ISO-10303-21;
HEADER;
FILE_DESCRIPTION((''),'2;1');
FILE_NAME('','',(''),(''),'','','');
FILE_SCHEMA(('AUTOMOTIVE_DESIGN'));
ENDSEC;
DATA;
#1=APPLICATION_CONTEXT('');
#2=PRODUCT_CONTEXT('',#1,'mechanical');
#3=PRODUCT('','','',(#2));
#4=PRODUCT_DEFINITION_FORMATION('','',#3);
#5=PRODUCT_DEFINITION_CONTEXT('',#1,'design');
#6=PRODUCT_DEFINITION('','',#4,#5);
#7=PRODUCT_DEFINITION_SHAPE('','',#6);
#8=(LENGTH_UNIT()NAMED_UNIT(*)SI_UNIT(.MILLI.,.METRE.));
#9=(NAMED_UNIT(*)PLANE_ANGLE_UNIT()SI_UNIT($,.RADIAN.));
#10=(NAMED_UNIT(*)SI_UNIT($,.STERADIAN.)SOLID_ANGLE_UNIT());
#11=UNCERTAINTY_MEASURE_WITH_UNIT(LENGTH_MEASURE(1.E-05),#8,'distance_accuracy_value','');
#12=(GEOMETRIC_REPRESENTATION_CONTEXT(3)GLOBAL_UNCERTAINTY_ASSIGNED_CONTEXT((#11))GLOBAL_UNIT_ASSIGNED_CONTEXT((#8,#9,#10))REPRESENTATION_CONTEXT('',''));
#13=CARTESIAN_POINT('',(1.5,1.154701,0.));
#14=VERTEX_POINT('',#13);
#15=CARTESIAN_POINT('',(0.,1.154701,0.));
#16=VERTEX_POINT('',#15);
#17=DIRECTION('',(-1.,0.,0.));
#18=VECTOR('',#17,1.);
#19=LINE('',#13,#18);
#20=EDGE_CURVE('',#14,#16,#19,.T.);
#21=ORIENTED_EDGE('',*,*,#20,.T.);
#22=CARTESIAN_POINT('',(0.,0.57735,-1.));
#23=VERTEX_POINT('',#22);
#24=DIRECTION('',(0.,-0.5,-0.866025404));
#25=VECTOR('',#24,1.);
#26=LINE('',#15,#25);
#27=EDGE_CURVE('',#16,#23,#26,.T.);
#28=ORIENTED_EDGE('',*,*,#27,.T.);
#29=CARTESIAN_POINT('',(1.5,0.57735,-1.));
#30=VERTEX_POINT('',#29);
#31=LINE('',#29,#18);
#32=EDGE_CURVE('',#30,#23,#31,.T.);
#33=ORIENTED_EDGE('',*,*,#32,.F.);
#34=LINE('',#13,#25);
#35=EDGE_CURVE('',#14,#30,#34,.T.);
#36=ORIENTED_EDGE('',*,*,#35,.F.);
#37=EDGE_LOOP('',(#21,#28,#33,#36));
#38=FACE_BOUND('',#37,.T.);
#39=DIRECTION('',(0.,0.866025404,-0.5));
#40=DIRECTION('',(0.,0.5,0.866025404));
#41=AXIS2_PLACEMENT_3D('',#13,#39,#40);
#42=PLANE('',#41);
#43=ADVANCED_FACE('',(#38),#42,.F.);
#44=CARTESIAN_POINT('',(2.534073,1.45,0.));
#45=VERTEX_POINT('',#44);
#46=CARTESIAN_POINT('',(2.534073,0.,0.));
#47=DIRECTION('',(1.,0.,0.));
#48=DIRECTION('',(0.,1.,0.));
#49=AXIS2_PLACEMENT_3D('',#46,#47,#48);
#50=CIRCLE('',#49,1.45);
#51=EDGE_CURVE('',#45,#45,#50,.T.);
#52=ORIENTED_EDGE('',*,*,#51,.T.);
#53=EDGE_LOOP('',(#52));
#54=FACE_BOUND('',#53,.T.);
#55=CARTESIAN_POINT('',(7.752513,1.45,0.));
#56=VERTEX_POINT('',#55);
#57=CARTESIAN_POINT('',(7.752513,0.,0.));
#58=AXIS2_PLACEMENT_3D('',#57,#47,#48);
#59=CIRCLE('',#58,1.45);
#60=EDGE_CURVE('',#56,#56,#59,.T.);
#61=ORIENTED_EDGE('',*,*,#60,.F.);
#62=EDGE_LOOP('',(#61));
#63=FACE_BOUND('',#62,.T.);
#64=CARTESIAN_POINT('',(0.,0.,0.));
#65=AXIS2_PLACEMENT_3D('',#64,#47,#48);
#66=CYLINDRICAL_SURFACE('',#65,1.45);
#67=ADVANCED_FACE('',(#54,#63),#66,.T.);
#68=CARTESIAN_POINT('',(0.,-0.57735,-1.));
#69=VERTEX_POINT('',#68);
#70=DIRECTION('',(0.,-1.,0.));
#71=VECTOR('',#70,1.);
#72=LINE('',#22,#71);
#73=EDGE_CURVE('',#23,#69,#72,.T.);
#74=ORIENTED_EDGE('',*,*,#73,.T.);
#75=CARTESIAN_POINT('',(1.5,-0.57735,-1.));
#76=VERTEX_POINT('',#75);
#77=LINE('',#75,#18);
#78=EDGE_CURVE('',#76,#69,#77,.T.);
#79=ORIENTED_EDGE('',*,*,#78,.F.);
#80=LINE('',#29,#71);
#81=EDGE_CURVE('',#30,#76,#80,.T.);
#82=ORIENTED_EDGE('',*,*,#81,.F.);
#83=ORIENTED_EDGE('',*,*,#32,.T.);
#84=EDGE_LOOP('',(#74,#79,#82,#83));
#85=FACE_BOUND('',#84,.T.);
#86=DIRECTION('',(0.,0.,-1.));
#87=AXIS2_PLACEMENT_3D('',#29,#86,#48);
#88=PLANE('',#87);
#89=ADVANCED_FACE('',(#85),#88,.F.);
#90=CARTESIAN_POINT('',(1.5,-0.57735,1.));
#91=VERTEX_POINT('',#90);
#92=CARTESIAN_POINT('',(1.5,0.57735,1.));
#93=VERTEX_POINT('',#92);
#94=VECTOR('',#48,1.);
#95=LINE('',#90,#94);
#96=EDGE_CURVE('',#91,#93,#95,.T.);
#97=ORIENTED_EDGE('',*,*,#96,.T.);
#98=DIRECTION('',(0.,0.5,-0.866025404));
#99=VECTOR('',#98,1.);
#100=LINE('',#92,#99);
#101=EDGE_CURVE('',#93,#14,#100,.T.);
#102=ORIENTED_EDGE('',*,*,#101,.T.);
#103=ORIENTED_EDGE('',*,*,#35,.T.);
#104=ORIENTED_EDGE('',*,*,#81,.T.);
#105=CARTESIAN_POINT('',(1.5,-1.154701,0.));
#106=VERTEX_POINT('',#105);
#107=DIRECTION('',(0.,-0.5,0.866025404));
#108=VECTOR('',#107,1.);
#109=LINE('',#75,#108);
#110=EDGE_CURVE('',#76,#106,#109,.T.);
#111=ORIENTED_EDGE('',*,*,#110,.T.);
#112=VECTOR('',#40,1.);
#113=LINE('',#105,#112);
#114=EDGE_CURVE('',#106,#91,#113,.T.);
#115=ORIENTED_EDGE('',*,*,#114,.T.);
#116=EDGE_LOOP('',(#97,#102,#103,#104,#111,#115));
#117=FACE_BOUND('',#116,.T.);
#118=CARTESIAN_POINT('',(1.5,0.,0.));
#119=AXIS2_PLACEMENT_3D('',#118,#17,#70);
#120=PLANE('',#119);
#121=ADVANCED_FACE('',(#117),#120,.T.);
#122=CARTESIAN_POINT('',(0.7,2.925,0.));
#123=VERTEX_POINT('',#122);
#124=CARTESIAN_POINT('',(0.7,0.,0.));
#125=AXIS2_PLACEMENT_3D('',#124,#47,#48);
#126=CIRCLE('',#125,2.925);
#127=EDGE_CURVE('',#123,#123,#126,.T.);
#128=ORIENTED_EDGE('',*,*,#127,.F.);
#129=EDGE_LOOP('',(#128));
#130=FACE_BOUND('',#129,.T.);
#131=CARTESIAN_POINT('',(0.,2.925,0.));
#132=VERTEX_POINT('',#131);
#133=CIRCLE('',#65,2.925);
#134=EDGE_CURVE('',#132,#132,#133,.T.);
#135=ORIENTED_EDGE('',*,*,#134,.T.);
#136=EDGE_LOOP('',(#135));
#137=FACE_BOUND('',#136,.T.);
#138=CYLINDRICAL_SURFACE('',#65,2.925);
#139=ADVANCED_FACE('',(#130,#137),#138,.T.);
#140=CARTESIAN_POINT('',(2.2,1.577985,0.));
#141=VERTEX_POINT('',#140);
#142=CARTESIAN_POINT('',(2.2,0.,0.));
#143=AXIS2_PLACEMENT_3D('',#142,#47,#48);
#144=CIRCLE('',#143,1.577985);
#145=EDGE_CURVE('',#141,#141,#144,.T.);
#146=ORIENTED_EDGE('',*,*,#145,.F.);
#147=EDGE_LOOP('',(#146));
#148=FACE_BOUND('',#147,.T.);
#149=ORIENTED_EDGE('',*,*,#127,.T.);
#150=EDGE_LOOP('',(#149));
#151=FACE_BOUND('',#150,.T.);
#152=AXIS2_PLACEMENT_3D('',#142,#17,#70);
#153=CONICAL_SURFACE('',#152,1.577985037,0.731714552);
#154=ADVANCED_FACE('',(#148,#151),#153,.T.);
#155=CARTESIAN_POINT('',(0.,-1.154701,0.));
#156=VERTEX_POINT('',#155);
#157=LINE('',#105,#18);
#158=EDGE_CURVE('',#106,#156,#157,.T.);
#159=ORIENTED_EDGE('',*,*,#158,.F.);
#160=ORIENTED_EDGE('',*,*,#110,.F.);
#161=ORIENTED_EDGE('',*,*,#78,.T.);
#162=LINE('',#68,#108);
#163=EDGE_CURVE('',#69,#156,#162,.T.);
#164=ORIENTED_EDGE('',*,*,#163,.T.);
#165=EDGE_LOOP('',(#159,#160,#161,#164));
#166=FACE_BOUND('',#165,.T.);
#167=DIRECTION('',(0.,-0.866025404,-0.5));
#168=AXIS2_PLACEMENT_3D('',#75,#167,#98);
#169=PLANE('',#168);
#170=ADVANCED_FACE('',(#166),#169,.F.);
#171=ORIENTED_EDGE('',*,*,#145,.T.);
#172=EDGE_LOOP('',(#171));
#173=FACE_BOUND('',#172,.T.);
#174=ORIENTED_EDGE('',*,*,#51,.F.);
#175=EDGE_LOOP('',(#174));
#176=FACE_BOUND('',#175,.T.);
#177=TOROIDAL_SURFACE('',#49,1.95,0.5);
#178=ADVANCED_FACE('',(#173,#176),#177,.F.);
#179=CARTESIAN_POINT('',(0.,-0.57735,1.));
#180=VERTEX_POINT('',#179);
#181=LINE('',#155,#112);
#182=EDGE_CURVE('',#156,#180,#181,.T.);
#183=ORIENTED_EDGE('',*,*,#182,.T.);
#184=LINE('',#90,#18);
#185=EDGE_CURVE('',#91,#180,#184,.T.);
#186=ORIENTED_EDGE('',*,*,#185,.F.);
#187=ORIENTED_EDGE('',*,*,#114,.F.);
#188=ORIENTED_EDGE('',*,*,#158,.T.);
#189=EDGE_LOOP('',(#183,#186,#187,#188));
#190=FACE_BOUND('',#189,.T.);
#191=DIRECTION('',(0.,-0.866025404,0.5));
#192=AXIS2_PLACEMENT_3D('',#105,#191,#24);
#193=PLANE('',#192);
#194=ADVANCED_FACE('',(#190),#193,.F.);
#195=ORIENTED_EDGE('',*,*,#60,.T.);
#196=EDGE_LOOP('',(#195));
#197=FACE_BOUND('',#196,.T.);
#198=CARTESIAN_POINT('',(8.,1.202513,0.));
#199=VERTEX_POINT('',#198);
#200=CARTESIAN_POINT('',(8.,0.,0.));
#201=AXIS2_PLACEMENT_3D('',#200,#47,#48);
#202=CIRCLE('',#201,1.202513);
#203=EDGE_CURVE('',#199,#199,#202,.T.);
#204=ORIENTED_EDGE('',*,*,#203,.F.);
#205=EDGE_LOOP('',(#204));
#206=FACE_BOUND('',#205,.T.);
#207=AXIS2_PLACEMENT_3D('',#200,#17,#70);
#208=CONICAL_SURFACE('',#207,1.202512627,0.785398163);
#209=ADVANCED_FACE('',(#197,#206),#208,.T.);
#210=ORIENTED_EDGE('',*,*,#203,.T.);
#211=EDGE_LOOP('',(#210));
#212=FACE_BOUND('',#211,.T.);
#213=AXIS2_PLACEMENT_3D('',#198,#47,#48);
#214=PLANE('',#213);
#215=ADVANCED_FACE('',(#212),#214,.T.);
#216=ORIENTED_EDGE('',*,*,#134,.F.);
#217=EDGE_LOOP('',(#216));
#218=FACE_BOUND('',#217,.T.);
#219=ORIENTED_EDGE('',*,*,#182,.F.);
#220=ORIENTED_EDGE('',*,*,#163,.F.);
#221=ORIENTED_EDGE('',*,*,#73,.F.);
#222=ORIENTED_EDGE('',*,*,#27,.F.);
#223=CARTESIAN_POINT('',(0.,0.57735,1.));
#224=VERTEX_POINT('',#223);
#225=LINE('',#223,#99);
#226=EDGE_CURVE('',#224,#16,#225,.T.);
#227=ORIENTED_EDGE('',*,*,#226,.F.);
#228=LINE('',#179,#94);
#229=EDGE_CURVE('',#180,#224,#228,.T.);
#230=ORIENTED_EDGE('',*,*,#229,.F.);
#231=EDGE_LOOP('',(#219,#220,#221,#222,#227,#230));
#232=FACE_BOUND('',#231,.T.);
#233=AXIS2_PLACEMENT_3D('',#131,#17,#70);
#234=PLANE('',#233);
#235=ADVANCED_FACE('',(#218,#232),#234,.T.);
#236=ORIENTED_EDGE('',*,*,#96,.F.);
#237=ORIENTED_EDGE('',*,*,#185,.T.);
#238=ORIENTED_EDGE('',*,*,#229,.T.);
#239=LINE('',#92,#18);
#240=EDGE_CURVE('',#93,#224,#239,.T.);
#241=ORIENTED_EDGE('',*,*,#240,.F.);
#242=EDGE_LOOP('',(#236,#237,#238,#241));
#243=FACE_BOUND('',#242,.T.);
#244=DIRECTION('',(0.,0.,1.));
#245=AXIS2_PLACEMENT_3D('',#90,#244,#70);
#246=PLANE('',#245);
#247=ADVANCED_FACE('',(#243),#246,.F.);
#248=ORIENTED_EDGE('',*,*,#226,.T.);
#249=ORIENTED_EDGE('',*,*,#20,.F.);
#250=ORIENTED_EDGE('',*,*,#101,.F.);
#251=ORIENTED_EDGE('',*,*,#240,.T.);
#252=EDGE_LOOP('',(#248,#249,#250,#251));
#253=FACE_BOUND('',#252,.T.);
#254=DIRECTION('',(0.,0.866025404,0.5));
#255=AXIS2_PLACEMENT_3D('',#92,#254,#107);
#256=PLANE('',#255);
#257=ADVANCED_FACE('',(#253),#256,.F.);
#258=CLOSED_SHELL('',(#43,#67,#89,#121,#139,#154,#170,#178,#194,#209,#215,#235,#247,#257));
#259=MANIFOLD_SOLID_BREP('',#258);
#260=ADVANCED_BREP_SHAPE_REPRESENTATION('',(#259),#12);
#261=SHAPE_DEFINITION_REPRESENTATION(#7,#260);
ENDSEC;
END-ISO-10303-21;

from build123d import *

# Parameters (mm, degrees)
CUT_EXTRUDE1_DEPTH = 1.5


with BuildPart() as part:
    # Sketch1 → Revolve1 (revolve)
    with BuildSketch(Plane.XY):
        with BuildLine():
            Line((2.534073147, 1.45), (7.752512627, 1.45))
            Line((7.752512627, 1.45), (8, 1.202512627))
            Line((8, 1.202512627), (8, 0))
            Line((8, 0), (0, 0))
            Line((0, 0), (0, 2.925))
            Line((0, 2.925), (0.7, 2.925))
            Line((0.7, 2.925), (2.2, 1.577985037))
            ThreePointArc((2.2, 1.577985037), (2.355198165, 1.483091293), (2.534073147, 1.45))
        make_face()
    revolve(axis=Axis((0, 0, 0), (-1, 0, 0)))

    # Sketch2 → Cut-Extrude1 (cut)
    with BuildSketch(Plane.ZY):
        Polygon((1, 0.577350269), (0, 1.154700538), (-1, 0.577350269), (-1, -0.577350269), (0, -1.154700538), (1, -0.577350269), align=None)
    extrude(amount=-CUT_EXTRUDE1_DEPTH, mode=Mode.SUBTRACT)


solid = part.part
